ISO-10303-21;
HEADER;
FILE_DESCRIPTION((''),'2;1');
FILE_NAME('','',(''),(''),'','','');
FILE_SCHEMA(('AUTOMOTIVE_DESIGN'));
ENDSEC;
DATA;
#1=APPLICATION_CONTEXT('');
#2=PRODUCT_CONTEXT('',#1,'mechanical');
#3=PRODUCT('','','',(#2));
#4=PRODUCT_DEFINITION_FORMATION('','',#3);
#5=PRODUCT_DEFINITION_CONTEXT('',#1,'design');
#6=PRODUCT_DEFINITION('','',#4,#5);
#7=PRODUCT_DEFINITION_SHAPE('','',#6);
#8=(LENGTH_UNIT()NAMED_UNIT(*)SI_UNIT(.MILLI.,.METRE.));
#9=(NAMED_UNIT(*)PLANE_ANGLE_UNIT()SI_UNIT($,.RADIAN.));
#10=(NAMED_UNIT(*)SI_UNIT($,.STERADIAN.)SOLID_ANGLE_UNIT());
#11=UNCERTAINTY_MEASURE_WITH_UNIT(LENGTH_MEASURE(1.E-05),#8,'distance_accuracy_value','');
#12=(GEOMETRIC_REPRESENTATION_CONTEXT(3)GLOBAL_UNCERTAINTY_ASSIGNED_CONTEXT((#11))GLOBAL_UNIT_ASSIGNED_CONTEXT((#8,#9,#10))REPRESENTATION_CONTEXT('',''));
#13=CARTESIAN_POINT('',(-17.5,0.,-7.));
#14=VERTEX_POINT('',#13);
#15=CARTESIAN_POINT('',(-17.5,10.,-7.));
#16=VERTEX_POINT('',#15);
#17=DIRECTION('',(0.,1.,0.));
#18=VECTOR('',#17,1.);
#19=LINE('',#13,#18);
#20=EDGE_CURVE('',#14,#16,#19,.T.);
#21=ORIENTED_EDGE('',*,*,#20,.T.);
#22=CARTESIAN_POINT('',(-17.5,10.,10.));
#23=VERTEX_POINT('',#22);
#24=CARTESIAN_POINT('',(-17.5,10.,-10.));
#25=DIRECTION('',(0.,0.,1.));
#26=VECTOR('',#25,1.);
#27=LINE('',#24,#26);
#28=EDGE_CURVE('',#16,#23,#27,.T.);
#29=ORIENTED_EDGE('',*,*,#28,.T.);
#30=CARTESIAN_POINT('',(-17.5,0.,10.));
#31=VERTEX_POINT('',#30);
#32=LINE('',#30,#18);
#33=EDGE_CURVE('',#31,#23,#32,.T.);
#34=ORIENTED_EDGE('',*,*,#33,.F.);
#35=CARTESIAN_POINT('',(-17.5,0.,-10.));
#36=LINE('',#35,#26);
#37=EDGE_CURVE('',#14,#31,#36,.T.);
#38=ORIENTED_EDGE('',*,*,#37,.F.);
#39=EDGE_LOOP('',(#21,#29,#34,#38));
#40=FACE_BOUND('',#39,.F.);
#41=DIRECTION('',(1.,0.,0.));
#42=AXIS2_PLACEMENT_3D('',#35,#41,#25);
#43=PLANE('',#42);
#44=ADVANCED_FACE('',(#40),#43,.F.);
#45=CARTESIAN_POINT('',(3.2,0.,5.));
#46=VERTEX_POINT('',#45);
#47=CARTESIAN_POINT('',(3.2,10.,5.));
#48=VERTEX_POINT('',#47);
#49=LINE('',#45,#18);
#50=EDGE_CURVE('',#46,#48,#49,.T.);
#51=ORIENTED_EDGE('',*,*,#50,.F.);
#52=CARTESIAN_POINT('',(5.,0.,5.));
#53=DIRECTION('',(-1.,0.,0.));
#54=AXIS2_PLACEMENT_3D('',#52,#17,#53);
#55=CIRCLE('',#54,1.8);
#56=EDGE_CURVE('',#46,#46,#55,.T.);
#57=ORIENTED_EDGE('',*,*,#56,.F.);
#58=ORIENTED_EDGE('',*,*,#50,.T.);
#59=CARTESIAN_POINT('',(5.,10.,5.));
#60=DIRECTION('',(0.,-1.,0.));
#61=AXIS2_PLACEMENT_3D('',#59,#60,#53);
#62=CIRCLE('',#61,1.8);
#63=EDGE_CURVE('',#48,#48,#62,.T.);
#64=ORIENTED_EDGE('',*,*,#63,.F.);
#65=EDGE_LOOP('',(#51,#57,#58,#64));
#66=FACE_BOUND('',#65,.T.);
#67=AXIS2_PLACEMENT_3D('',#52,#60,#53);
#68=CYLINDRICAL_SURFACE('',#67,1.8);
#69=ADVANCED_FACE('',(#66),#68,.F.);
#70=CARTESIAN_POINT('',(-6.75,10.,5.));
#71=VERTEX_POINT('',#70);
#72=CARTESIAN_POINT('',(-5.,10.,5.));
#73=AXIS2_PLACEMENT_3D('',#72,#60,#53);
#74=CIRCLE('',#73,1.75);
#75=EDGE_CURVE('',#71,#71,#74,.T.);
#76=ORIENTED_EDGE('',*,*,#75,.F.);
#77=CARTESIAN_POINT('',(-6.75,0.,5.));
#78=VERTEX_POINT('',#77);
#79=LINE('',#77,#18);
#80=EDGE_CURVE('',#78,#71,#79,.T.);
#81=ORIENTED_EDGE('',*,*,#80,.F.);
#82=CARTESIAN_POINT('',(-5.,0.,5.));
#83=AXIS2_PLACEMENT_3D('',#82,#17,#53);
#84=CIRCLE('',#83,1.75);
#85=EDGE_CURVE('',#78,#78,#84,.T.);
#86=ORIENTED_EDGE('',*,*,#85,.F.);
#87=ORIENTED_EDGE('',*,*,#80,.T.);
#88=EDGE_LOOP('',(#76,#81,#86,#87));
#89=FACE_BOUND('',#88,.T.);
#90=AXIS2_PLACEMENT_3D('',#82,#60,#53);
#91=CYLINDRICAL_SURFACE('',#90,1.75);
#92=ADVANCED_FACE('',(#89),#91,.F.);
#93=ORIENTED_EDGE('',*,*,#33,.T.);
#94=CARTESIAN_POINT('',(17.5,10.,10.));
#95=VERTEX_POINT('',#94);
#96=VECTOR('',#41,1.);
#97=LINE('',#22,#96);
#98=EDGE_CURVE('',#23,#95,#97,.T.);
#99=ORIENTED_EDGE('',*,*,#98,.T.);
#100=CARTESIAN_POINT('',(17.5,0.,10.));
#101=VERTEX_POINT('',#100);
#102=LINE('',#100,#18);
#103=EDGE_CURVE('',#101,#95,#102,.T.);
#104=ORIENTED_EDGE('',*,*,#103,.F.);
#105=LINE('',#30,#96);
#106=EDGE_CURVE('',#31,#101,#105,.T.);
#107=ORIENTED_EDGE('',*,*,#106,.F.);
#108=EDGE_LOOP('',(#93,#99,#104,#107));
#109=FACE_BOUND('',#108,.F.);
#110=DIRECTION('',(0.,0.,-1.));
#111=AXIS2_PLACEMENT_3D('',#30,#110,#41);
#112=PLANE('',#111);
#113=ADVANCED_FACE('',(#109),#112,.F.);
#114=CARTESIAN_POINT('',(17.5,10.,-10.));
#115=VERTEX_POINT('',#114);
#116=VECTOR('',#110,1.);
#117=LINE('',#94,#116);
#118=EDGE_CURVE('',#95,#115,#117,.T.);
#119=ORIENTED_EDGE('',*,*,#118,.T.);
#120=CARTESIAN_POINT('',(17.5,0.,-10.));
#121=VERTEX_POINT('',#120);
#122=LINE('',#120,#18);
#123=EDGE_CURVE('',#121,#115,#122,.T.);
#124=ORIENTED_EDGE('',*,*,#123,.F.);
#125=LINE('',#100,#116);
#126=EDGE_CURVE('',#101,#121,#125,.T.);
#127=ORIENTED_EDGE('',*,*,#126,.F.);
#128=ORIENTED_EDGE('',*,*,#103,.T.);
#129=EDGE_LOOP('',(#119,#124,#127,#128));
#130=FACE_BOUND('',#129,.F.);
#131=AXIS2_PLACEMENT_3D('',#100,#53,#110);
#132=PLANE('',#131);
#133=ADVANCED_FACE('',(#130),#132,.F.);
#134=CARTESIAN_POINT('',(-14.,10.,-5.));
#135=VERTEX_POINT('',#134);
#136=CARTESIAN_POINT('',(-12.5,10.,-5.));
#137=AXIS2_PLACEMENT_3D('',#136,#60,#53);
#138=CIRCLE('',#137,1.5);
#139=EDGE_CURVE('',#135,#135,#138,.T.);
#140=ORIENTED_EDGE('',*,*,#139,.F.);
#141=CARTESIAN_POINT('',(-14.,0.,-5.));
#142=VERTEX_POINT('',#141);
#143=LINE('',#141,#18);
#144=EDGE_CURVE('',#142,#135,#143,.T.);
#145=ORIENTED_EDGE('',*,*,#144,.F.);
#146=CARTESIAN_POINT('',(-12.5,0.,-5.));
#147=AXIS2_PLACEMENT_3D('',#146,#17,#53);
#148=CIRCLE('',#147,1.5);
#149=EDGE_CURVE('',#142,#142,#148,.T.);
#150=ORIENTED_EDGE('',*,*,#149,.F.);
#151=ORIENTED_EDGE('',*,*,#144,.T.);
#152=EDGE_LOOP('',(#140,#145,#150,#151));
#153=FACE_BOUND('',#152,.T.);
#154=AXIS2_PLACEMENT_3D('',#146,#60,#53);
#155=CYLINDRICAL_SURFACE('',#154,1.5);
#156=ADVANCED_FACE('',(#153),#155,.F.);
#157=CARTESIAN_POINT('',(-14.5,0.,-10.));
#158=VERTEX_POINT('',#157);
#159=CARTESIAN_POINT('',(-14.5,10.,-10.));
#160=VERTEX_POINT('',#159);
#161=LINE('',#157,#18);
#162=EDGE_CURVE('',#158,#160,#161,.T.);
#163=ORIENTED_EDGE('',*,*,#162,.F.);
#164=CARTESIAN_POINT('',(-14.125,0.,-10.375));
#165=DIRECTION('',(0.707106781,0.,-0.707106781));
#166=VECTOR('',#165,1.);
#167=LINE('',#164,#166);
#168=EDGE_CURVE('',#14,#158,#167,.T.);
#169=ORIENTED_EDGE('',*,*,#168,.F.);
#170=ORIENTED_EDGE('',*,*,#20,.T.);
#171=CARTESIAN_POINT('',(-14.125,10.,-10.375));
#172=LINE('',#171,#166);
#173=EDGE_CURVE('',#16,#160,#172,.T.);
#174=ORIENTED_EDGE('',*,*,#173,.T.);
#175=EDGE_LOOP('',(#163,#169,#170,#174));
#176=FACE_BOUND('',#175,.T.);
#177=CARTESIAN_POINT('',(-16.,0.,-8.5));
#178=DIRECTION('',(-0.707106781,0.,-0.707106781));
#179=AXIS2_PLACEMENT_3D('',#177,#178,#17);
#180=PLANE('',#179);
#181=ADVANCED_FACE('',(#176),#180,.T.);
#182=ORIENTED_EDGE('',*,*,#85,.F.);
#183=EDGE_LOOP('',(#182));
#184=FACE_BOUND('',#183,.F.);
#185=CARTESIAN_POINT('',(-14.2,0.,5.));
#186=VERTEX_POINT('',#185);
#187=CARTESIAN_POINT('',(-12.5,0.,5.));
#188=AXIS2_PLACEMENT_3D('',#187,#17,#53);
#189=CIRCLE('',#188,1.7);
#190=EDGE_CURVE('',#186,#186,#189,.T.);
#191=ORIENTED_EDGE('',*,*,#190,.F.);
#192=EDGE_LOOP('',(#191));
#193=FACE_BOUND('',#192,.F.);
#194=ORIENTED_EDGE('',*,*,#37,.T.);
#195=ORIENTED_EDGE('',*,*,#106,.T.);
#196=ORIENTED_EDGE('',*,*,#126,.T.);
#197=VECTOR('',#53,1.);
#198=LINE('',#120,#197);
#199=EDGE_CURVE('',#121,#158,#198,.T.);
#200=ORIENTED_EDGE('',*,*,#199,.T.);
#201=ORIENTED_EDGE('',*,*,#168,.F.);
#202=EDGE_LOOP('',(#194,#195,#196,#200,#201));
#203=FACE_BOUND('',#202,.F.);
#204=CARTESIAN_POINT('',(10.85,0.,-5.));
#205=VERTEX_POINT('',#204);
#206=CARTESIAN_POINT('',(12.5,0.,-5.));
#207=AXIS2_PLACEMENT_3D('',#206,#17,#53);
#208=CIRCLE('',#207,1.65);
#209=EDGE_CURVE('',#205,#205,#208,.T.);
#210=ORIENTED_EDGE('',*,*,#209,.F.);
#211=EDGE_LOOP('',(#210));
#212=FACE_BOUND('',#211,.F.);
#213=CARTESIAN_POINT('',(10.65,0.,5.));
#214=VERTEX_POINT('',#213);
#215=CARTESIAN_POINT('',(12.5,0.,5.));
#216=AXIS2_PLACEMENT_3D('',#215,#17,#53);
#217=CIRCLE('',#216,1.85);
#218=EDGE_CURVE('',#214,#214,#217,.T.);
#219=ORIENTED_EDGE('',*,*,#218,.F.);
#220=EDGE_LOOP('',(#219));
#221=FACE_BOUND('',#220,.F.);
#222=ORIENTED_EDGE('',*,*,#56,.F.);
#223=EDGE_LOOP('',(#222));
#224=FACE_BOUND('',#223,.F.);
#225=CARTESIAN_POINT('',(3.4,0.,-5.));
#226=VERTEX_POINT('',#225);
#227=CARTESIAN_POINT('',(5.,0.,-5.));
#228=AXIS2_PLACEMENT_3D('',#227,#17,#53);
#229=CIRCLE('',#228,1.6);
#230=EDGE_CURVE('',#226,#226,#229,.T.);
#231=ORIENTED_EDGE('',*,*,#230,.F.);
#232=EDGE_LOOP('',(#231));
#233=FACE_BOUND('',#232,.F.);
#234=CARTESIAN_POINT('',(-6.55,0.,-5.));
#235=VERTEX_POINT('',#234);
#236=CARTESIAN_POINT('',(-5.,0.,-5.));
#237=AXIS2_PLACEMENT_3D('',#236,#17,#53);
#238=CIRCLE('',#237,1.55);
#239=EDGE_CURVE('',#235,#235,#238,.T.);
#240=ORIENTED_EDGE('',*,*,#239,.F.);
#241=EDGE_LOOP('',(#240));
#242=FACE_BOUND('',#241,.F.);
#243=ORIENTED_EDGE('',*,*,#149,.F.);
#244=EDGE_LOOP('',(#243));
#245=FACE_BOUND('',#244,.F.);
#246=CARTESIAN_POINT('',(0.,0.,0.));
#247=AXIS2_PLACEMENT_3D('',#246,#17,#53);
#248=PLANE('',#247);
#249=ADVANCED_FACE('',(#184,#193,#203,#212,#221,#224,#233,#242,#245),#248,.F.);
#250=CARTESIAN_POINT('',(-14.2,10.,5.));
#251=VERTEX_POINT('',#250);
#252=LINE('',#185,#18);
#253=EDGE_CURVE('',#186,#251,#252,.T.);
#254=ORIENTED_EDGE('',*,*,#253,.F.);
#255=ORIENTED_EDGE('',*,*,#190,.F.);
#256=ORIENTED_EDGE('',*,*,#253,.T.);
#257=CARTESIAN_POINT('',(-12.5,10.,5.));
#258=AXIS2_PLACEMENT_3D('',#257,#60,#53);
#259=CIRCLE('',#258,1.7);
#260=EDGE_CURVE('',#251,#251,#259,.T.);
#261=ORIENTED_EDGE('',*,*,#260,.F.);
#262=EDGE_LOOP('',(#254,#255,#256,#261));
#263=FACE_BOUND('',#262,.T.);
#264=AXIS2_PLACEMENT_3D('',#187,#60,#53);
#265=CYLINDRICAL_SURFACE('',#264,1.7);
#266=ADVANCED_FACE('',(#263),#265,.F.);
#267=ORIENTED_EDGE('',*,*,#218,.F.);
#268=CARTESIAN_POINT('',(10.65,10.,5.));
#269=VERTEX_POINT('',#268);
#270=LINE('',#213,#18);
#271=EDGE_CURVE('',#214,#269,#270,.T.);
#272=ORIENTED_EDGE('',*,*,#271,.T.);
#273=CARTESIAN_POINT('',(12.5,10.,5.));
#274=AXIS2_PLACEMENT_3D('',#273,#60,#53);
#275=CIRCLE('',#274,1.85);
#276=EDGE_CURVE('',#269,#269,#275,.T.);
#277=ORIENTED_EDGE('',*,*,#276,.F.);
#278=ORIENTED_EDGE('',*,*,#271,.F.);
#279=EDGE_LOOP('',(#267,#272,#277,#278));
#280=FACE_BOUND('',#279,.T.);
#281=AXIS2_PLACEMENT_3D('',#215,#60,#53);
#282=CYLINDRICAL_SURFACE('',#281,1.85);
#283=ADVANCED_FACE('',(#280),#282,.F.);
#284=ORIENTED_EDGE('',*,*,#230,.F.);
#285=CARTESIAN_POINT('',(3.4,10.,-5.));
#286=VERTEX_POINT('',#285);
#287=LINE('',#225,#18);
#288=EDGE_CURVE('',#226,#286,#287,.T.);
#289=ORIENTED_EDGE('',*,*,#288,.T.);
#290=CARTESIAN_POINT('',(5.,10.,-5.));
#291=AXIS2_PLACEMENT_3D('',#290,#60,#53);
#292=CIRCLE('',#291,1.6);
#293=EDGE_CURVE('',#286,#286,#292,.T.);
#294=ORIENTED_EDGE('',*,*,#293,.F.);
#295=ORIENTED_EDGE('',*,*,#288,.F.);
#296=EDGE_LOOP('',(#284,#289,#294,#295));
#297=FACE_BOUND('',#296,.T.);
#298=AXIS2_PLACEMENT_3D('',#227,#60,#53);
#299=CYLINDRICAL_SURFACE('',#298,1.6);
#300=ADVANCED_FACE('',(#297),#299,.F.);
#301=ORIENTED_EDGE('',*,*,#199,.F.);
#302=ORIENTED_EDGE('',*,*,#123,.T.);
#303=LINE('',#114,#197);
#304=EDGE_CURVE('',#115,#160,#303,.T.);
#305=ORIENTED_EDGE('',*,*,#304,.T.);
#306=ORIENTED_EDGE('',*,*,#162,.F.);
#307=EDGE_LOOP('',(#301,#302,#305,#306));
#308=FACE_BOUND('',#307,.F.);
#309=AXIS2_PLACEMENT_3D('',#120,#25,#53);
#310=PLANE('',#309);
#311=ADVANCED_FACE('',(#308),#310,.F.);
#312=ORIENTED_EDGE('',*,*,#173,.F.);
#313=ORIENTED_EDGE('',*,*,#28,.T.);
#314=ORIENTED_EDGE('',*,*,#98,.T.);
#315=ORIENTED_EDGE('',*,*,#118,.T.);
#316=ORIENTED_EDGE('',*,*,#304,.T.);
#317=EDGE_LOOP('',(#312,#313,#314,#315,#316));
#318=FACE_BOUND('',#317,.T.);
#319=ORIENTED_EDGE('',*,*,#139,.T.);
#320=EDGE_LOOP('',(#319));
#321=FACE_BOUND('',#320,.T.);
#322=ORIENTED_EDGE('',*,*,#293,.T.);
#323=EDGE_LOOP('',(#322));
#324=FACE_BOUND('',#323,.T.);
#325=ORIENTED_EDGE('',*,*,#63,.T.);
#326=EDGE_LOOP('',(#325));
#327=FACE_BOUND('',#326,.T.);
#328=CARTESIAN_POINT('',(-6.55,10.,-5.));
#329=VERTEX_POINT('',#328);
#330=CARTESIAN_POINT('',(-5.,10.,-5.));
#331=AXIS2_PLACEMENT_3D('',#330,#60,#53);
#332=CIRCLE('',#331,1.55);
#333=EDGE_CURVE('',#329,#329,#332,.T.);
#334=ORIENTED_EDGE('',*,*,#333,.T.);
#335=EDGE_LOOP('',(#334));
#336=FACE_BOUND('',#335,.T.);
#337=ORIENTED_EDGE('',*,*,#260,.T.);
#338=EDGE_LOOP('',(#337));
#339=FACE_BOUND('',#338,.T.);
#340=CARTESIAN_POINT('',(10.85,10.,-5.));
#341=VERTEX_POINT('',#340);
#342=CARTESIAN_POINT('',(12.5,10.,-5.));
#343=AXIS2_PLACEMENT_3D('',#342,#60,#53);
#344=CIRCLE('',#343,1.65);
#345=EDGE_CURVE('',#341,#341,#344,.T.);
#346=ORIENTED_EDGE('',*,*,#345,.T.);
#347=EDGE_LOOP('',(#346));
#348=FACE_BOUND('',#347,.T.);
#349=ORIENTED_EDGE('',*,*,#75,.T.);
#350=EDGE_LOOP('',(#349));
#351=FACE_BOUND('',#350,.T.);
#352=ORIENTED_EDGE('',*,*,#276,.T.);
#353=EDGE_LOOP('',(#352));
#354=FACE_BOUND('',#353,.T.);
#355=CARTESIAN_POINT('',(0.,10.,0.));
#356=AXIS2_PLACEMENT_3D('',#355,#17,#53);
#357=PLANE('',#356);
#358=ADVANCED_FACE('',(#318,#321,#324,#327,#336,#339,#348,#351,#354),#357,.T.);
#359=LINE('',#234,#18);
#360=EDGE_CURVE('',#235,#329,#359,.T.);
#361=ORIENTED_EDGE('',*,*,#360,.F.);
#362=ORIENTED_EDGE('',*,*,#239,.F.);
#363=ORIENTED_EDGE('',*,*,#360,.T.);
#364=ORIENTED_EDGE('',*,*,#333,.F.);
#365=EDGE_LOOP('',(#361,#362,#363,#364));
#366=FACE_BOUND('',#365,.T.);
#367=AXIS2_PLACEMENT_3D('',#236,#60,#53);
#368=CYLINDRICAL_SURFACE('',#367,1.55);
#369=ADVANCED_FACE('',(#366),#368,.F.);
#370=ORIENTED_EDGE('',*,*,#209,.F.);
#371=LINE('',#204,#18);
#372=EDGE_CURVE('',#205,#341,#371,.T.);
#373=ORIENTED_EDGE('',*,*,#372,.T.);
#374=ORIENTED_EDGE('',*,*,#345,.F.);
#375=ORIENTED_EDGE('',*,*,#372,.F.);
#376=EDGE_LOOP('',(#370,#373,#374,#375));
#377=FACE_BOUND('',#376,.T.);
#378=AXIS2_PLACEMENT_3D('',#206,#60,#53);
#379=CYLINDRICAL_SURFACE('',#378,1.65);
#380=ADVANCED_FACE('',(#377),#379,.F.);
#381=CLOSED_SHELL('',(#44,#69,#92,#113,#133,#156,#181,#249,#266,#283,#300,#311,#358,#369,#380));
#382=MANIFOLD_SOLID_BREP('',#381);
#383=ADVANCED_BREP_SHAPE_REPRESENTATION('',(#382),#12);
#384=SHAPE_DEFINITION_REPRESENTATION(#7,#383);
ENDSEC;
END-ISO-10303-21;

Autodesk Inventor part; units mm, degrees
ref_plane "YZ Plane" through (0, 0, 0) normal (1, 0, 0) x (0, 1, 0)
ref_plane "XZ Plane" through (0, 0, 0) normal (0, 1, 0) x (-1, 0, 0)
ref_plane "XY Plane" through (0, 0, 0) normal (0, 0, 1) x (1, 0, 0)
sketch "Sketch1" plane through (0, 0, 0) normal (0, 1, 0) x (-1, 0, 0)
  line L0 (17.5, 10) -> (-17.5, 10)
  line L1 (-17.5, 10) -> (-17.5, -10)
  line L2 (-17.5, -10) -> (17.5, -10)
  line L3 (17.5, -10) -> (17.5, 10)
  line L4 (17.5, 10) -> (-17.5, -10) construction
  line L5 (-17.5, 10) -> (17.5, -10) construction
  circle A0 centre (12.5, -5) radius 1.5
  circle A1 centre (5, -5) radius 1.55
  circle A2 centre (-5, -5) radius 1.6
  circle A3 centre (-12.5, -5) radius 1.65
  circle A4 centre (12.5, 5) radius 1.7
  circle A5 centre (5, 5) radius 1.75
  circle A6 centre (-5, 5) radius 1.8
  circle A7 centre (-12.5, 5) radius 1.85
  line L6 (-5, 5) -> (5, 5)
  line L7 (5, 5) -> (5, -5)
  line L8 (5, -5) -> (-5, -5)
  line L9 (-5, -5) -> (-5, 5)
  line L10 (-5, 5) -> (5, -5) construction
  line L11 (5, 5) -> (-5, -5) construction
  line L12 (-12.5, 5) -> (12.5, 5)
  line L13 (12.5, 5) -> (12.5, -5)
  line L14 (12.5, -5) -> (-12.5, -5)
  line L15 (-12.5, -5) -> (-12.5, 5)
  line L16 (-12.5, 5) -> (12.5, -5) construction
  line L17 (12.5, 5) -> (-12.5, -5) construction
  point P0 (0, 0)
  dimension "d0" = 20
  dimension "d1" = 3
  dimension "d2" = 3.1
  dimension "d3" = 3.2
  dimension "d4" = 3.3
  dimension "d5" = 3.4
  dimension "d6" = 3.5
  dimension "d7" = 3.6
  dimension "d8" = 3.7
  dimension "d9" = 5
  dimension "d10" = 5
  dimension "d11" = 12.5
  dimension "d12" = 5
extrude "Extrusion1" add sketch "Sketch1" along normal blind 10 contours L3 L2 L1 L0 | A0 L14 A1 L7 A5 L12 A4 L13 | A1 L8 A2 L9 A6 L6 A5 L7 | A2 L14 A3 L15 A7 L12 A6 L9
chamfer "Chamfer1" distance 3 angle 45 1 edges at (-17.5, 5, -10)
equation "\"d9\" = 0.25 * d0"
equation "\"d11\" = 2.5 * d10"
equation "\"d12\" = d9"
properties part number "hole_test_3DPrint"
